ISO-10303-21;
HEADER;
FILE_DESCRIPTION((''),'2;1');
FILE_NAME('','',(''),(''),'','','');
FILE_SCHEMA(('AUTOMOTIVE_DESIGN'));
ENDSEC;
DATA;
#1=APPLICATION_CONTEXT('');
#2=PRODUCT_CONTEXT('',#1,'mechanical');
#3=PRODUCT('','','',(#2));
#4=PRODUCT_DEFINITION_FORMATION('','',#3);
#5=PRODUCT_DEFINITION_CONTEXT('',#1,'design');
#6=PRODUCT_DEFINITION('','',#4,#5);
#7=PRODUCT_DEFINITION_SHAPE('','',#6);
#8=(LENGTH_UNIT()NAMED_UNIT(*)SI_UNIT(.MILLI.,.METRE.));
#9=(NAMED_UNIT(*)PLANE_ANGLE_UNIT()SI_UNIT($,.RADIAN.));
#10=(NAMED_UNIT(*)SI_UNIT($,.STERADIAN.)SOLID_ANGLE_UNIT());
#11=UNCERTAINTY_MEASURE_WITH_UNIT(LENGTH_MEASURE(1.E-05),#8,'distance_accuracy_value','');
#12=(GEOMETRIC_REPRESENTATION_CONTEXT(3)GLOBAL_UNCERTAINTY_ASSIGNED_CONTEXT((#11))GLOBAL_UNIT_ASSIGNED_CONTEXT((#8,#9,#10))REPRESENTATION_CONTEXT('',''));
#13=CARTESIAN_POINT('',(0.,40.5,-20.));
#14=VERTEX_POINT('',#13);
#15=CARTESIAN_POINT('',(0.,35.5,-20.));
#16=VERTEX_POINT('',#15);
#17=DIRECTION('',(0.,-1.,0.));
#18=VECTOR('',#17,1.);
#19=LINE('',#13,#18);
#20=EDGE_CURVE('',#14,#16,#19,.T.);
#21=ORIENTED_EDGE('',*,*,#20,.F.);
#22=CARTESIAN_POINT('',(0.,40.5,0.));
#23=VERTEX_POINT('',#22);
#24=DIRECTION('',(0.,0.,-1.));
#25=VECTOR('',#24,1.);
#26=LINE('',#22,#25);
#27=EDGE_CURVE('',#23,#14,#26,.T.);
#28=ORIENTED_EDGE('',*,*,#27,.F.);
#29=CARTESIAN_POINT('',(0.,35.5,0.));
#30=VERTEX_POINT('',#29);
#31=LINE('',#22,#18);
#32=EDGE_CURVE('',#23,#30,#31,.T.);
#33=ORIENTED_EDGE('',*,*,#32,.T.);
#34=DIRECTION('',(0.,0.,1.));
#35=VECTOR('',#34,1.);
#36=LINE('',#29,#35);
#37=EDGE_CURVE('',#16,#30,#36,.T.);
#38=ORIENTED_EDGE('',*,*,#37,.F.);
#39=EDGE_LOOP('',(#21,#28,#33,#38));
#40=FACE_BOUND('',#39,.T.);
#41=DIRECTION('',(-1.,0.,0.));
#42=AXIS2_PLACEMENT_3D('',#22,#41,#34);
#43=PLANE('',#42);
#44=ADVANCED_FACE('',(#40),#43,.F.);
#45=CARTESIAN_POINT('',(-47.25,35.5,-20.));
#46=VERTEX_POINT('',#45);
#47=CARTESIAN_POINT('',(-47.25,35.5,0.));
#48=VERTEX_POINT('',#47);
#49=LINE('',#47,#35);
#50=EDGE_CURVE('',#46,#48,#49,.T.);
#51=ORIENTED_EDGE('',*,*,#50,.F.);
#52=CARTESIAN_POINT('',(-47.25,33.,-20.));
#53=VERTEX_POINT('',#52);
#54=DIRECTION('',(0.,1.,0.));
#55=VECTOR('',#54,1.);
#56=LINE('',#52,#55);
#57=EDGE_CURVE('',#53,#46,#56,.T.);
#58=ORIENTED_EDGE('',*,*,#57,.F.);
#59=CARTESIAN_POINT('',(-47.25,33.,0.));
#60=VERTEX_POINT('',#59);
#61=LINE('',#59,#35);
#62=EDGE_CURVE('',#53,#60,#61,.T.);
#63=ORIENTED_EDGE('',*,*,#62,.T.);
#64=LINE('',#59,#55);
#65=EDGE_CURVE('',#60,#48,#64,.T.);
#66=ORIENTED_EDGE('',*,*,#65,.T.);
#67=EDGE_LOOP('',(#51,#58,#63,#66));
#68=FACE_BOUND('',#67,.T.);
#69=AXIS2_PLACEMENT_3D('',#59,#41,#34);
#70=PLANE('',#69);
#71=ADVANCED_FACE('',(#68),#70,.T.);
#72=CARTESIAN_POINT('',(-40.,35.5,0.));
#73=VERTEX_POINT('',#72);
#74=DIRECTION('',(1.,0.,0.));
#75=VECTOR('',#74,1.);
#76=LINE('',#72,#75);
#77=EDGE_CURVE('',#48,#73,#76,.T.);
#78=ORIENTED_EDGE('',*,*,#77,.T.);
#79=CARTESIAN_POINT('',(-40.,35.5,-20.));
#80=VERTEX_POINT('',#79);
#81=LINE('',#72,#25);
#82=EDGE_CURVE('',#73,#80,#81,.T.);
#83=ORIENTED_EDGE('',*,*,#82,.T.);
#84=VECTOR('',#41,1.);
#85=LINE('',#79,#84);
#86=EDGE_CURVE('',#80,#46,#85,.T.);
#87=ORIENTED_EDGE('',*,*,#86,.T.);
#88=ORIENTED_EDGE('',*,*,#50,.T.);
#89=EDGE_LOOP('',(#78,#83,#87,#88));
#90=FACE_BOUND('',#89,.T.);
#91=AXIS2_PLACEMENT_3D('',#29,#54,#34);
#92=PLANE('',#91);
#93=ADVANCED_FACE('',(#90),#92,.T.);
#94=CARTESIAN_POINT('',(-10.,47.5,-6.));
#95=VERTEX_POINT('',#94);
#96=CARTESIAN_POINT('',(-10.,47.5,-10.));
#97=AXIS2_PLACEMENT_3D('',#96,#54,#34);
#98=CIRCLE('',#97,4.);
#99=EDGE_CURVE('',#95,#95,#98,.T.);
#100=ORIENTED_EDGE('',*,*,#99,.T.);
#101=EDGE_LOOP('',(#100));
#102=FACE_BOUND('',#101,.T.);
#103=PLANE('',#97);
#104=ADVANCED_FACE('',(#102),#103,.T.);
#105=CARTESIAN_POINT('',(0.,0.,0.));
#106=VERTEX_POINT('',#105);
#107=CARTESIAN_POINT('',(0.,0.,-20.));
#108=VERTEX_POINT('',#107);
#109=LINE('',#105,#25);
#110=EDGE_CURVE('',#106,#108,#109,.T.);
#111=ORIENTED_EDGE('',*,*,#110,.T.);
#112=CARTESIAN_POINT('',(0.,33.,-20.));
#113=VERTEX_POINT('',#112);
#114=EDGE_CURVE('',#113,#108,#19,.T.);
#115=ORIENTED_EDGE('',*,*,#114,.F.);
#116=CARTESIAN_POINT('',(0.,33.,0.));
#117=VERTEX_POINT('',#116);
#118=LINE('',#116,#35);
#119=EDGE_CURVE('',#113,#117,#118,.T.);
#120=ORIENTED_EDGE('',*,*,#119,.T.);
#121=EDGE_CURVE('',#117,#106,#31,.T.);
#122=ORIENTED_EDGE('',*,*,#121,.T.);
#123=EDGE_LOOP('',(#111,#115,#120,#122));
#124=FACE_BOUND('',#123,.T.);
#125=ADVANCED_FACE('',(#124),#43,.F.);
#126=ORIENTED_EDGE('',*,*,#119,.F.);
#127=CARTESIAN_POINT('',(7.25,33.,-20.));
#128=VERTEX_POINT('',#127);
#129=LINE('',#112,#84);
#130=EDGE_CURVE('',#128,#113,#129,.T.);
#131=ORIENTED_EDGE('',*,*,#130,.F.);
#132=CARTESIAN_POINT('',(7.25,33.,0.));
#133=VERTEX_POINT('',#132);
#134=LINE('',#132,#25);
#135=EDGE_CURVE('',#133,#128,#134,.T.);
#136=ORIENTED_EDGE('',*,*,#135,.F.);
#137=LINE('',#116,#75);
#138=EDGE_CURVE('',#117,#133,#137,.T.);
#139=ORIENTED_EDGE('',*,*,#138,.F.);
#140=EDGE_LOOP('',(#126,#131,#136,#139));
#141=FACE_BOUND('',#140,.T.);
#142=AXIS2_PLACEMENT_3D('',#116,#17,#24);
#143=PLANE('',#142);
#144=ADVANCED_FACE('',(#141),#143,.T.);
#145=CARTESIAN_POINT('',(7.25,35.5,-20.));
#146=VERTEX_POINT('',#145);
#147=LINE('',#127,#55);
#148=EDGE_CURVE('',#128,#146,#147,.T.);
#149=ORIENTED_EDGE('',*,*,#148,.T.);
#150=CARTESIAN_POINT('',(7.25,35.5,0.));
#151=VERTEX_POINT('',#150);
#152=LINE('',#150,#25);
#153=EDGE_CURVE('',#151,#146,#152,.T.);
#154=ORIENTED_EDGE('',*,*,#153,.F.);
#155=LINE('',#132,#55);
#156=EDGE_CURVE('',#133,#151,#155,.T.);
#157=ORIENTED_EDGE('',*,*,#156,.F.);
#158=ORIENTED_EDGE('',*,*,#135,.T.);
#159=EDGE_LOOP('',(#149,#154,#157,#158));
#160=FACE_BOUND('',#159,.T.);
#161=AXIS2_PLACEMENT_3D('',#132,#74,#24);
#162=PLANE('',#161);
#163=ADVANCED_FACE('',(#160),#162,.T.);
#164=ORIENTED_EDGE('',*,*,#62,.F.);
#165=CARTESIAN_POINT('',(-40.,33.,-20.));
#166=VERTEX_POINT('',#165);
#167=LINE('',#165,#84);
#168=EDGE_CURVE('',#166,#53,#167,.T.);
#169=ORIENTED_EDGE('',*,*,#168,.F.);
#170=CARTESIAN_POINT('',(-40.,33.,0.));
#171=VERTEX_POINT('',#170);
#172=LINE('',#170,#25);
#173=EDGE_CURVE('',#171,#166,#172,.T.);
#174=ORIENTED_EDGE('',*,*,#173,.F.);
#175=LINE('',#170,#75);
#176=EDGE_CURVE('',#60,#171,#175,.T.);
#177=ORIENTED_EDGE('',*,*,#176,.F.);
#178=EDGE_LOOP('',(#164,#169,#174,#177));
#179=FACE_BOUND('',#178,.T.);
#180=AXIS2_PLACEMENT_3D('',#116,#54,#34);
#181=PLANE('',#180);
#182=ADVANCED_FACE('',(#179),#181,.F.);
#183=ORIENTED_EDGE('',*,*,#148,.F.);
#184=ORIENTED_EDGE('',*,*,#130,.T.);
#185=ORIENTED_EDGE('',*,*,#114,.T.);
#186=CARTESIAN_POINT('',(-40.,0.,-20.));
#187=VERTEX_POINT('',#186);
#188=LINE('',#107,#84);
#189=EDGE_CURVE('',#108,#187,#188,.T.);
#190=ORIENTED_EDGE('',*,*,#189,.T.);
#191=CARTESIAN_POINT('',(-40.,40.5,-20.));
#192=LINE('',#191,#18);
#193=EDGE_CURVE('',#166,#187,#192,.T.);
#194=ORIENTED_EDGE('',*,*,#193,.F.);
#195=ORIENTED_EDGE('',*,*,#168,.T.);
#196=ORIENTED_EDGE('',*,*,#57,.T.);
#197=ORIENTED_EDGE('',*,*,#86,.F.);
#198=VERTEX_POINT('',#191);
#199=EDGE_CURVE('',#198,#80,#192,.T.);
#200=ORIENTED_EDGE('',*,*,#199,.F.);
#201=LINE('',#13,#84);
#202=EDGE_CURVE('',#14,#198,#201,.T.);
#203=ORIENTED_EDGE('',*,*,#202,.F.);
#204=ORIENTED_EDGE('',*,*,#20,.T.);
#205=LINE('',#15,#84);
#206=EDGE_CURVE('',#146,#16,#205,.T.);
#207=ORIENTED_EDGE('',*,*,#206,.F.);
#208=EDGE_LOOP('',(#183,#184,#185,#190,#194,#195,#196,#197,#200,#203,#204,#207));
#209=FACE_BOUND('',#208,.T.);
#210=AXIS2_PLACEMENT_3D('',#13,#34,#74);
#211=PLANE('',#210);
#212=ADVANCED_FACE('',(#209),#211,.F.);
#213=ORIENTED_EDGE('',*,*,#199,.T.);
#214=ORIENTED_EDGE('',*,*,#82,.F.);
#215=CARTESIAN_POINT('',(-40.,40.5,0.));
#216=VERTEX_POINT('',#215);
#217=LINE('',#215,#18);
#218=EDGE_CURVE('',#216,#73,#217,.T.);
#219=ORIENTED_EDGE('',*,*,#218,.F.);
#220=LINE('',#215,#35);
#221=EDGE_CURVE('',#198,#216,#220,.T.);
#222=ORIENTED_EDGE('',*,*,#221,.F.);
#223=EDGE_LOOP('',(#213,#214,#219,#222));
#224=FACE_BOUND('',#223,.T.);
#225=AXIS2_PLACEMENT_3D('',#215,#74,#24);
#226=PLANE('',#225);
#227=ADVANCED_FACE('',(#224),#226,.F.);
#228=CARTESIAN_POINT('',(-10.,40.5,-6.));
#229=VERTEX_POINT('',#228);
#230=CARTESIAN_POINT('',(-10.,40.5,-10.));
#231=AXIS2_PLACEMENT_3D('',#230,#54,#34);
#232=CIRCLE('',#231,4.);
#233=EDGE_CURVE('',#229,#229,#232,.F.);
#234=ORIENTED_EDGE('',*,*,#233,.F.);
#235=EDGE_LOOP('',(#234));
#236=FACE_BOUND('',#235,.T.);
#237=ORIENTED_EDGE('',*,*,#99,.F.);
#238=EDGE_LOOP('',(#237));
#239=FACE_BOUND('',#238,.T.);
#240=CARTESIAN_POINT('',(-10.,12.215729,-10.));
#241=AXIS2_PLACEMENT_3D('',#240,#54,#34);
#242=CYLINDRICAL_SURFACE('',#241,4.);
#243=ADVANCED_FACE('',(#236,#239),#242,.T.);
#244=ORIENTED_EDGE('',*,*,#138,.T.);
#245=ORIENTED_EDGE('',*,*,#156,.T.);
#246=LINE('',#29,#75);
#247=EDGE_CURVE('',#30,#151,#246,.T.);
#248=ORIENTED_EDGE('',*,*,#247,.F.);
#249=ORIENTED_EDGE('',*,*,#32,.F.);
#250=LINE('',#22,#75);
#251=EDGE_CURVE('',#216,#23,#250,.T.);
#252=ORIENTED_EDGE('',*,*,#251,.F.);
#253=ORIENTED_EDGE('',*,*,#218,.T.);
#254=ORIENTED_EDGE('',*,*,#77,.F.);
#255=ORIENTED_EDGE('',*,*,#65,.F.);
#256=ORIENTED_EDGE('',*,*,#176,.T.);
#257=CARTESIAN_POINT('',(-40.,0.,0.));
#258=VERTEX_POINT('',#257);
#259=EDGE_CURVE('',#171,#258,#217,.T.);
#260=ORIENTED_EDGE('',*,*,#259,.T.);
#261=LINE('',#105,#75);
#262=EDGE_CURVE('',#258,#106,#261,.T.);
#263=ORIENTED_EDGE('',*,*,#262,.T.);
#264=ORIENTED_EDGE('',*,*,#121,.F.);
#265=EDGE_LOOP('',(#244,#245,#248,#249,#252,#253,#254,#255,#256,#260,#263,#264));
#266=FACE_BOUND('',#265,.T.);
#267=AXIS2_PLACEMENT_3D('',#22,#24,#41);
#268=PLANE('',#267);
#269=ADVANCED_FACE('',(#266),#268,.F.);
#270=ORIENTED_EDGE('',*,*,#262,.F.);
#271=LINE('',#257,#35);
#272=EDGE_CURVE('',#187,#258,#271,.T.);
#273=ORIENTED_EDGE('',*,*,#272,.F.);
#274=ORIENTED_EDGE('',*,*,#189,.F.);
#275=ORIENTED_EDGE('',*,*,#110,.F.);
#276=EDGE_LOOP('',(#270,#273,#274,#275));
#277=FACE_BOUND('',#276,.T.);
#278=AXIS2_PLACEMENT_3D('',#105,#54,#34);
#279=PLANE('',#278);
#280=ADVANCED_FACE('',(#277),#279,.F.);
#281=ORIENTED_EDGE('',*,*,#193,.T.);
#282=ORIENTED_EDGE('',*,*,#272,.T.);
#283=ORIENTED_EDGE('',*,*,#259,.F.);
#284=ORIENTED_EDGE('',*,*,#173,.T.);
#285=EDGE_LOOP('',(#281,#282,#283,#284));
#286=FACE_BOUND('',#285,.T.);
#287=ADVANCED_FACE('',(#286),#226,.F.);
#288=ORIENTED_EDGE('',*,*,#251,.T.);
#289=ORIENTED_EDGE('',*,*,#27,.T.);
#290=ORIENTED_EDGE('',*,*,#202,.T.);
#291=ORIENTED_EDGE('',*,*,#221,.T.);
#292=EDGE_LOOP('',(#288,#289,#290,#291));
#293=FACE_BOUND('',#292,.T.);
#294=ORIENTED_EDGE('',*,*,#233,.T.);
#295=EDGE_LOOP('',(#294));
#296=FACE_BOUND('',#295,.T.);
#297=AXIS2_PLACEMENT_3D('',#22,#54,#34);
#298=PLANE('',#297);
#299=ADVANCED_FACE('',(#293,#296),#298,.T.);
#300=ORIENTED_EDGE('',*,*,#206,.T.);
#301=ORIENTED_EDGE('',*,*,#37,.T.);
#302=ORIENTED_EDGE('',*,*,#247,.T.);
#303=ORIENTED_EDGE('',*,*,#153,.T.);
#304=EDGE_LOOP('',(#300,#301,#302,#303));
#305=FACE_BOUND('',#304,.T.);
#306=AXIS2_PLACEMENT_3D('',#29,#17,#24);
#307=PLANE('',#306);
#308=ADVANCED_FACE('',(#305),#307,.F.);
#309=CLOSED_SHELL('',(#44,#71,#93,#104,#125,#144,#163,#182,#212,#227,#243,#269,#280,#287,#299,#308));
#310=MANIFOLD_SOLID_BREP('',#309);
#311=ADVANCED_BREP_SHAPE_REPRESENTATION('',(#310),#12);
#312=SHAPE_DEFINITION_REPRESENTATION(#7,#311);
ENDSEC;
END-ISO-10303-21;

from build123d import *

# Parameters (mm, degrees)
SKETCH1_W           = 40
SKETCH1_H           = 20
BOSS_EXTRUDE1_DEPTH = 40.5
BOSS_EXTRUDE2_START = -5
SKETCH2_W           = 7.25
SKETCH2_H           = 20
BOSS_EXTRUDE2_DEPTH = 2.5
SKETCH3_R           = 10
BOSS_EXTRUDE3_DEPTH = 7
SKETCH4_R           = 10
SKETCH4_R_2         = 4
CUT_EXTRUDE1_DEPTH  = 7


with BuildPart() as part:
    # Sketch1 → Boss-Extrude1 (new body)
    with BuildSketch(Plane(origin=(0, 0, 0), x_dir=(1, 0, 0), z_dir=(0, 1, 0))):
        with Locations((-20, 10)):
            Rectangle(SKETCH1_W, SKETCH1_H)
    extrude(amount=BOSS_EXTRUDE1_DEPTH)

    # Sketch2 → Boss-Extrude2 (add)
    with BuildSketch(Plane(origin=(0, 40.5, 0), x_dir=(1, 0, 0), z_dir=(0, 1, 0)).offset(BOSS_EXTRUDE2_START)):
        with Locations((-43.625, 10)):
            Rectangle(SKETCH2_W, SKETCH2_H)
        with Locations((3.625, 10)):
            Rectangle(SKETCH2_W, SKETCH2_H)
    extrude(amount=-BOSS_EXTRUDE2_DEPTH)

    # Sketch3 → Boss-Extrude3 (add)
    with BuildSketch(Plane(origin=(0, 40.5, 0), x_dir=(1, 0, 0), z_dir=(0, 1, 0))):
        with Locations((-10, 10)):
            Circle(SKETCH3_R)
    extrude(amount=BOSS_EXTRUDE3_DEPTH)

    # Sketch4 → Cut-Extrude1 (cut)
    with BuildSketch(Plane(origin=(0, 47.5, 0), x_dir=(1, 0, 0), z_dir=(0, 1, 0))):
        with Locations((-10, 10)):
            Circle(SKETCH4_R)
        with Locations((-10, 10)):
            Circle(SKETCH4_R_2, mode=Mode.SUBTRACT)
    extrude(amount=-CUT_EXTRUDE1_DEPTH, mode=Mode.SUBTRACT)


solid = part.part
